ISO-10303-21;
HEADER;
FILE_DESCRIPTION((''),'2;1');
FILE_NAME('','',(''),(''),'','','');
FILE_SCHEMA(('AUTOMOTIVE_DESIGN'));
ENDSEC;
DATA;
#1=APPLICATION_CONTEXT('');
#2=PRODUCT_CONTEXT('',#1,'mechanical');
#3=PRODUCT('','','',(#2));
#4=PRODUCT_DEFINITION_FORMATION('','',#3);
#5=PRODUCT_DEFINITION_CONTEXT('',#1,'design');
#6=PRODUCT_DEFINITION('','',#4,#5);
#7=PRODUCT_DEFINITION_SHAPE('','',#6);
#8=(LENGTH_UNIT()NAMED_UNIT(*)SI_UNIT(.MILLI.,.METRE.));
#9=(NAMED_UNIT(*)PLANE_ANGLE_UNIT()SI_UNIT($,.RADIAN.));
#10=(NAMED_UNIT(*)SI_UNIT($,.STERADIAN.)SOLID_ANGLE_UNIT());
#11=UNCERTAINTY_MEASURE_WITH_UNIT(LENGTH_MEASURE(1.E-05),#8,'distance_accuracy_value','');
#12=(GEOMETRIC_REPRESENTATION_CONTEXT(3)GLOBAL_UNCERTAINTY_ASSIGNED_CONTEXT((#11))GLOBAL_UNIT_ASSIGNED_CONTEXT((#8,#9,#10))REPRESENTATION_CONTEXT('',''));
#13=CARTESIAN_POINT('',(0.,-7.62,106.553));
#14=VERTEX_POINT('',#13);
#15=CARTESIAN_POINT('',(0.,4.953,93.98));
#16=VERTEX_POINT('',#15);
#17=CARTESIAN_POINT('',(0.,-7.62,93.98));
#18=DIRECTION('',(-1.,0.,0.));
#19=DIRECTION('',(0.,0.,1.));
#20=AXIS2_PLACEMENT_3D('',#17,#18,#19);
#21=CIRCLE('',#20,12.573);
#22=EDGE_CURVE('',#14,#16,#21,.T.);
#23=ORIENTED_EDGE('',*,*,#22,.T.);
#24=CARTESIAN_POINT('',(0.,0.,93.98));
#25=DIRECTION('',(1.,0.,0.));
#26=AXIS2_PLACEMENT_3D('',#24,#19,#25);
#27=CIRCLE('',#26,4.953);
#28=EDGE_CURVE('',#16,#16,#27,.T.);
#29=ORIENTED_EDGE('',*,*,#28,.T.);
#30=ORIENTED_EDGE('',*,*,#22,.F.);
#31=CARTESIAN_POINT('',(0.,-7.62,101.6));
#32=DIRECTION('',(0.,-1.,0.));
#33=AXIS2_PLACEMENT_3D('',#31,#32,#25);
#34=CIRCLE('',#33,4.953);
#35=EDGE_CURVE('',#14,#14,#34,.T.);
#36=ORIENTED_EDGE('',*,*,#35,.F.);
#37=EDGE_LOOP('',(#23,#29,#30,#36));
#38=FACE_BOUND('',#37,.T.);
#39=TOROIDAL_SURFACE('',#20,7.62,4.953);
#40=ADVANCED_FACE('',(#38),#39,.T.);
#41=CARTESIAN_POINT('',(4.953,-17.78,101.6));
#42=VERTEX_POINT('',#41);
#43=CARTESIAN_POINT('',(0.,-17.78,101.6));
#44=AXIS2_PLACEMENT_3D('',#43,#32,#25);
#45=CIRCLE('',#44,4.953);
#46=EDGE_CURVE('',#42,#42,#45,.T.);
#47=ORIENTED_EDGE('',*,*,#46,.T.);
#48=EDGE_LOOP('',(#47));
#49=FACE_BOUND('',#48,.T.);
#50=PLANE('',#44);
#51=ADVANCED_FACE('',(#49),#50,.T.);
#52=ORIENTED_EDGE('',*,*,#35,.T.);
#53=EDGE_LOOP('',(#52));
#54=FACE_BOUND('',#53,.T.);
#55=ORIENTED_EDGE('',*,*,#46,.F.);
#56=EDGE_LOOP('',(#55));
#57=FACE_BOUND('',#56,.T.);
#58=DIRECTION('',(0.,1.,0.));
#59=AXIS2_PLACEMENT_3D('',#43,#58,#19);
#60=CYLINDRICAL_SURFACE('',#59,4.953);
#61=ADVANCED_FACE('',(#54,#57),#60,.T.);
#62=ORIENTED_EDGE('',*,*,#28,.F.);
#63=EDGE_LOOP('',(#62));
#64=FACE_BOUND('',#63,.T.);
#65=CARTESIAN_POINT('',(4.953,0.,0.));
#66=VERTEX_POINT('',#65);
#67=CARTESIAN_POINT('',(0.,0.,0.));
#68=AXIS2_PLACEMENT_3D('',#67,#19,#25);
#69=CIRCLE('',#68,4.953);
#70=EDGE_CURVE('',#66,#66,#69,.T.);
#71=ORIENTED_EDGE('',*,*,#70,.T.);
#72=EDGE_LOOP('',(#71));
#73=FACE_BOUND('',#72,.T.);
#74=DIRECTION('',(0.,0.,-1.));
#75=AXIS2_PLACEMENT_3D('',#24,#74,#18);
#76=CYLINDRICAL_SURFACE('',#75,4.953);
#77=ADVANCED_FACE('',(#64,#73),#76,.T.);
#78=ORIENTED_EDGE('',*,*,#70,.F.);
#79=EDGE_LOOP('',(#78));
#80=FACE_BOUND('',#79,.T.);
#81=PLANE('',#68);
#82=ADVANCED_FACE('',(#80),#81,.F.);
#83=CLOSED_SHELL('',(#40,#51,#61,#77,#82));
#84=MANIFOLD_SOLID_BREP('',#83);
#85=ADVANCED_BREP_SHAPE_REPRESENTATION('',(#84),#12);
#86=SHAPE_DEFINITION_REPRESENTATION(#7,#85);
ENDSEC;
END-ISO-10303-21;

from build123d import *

# Parameters (mm, degrees)
SKETCH2_R = 4.953


with BuildPart() as part:
    # Sweep1: sweep along a path in Sketch4
    with BuildLine(Plane(origin=(0, 0, 0), x_dir=(0, 0, -1), z_dir=(1, 0, 0))) as sweep1_path:
        Line((-101.6, -17.78), (-101.6, -7.62))
        ThreePointArc((-101.6, -7.62), (-99.368153673, -2.231846327), (-93.98, 0))
        Line((-93.98, 0), (0, 0))
    # Sketch2 → Sweep1 (sweep)
    with BuildSketch(Plane.XY):
        Circle(SKETCH2_R)
    sweep(path=sweep1_path.line)


solid = part.part
